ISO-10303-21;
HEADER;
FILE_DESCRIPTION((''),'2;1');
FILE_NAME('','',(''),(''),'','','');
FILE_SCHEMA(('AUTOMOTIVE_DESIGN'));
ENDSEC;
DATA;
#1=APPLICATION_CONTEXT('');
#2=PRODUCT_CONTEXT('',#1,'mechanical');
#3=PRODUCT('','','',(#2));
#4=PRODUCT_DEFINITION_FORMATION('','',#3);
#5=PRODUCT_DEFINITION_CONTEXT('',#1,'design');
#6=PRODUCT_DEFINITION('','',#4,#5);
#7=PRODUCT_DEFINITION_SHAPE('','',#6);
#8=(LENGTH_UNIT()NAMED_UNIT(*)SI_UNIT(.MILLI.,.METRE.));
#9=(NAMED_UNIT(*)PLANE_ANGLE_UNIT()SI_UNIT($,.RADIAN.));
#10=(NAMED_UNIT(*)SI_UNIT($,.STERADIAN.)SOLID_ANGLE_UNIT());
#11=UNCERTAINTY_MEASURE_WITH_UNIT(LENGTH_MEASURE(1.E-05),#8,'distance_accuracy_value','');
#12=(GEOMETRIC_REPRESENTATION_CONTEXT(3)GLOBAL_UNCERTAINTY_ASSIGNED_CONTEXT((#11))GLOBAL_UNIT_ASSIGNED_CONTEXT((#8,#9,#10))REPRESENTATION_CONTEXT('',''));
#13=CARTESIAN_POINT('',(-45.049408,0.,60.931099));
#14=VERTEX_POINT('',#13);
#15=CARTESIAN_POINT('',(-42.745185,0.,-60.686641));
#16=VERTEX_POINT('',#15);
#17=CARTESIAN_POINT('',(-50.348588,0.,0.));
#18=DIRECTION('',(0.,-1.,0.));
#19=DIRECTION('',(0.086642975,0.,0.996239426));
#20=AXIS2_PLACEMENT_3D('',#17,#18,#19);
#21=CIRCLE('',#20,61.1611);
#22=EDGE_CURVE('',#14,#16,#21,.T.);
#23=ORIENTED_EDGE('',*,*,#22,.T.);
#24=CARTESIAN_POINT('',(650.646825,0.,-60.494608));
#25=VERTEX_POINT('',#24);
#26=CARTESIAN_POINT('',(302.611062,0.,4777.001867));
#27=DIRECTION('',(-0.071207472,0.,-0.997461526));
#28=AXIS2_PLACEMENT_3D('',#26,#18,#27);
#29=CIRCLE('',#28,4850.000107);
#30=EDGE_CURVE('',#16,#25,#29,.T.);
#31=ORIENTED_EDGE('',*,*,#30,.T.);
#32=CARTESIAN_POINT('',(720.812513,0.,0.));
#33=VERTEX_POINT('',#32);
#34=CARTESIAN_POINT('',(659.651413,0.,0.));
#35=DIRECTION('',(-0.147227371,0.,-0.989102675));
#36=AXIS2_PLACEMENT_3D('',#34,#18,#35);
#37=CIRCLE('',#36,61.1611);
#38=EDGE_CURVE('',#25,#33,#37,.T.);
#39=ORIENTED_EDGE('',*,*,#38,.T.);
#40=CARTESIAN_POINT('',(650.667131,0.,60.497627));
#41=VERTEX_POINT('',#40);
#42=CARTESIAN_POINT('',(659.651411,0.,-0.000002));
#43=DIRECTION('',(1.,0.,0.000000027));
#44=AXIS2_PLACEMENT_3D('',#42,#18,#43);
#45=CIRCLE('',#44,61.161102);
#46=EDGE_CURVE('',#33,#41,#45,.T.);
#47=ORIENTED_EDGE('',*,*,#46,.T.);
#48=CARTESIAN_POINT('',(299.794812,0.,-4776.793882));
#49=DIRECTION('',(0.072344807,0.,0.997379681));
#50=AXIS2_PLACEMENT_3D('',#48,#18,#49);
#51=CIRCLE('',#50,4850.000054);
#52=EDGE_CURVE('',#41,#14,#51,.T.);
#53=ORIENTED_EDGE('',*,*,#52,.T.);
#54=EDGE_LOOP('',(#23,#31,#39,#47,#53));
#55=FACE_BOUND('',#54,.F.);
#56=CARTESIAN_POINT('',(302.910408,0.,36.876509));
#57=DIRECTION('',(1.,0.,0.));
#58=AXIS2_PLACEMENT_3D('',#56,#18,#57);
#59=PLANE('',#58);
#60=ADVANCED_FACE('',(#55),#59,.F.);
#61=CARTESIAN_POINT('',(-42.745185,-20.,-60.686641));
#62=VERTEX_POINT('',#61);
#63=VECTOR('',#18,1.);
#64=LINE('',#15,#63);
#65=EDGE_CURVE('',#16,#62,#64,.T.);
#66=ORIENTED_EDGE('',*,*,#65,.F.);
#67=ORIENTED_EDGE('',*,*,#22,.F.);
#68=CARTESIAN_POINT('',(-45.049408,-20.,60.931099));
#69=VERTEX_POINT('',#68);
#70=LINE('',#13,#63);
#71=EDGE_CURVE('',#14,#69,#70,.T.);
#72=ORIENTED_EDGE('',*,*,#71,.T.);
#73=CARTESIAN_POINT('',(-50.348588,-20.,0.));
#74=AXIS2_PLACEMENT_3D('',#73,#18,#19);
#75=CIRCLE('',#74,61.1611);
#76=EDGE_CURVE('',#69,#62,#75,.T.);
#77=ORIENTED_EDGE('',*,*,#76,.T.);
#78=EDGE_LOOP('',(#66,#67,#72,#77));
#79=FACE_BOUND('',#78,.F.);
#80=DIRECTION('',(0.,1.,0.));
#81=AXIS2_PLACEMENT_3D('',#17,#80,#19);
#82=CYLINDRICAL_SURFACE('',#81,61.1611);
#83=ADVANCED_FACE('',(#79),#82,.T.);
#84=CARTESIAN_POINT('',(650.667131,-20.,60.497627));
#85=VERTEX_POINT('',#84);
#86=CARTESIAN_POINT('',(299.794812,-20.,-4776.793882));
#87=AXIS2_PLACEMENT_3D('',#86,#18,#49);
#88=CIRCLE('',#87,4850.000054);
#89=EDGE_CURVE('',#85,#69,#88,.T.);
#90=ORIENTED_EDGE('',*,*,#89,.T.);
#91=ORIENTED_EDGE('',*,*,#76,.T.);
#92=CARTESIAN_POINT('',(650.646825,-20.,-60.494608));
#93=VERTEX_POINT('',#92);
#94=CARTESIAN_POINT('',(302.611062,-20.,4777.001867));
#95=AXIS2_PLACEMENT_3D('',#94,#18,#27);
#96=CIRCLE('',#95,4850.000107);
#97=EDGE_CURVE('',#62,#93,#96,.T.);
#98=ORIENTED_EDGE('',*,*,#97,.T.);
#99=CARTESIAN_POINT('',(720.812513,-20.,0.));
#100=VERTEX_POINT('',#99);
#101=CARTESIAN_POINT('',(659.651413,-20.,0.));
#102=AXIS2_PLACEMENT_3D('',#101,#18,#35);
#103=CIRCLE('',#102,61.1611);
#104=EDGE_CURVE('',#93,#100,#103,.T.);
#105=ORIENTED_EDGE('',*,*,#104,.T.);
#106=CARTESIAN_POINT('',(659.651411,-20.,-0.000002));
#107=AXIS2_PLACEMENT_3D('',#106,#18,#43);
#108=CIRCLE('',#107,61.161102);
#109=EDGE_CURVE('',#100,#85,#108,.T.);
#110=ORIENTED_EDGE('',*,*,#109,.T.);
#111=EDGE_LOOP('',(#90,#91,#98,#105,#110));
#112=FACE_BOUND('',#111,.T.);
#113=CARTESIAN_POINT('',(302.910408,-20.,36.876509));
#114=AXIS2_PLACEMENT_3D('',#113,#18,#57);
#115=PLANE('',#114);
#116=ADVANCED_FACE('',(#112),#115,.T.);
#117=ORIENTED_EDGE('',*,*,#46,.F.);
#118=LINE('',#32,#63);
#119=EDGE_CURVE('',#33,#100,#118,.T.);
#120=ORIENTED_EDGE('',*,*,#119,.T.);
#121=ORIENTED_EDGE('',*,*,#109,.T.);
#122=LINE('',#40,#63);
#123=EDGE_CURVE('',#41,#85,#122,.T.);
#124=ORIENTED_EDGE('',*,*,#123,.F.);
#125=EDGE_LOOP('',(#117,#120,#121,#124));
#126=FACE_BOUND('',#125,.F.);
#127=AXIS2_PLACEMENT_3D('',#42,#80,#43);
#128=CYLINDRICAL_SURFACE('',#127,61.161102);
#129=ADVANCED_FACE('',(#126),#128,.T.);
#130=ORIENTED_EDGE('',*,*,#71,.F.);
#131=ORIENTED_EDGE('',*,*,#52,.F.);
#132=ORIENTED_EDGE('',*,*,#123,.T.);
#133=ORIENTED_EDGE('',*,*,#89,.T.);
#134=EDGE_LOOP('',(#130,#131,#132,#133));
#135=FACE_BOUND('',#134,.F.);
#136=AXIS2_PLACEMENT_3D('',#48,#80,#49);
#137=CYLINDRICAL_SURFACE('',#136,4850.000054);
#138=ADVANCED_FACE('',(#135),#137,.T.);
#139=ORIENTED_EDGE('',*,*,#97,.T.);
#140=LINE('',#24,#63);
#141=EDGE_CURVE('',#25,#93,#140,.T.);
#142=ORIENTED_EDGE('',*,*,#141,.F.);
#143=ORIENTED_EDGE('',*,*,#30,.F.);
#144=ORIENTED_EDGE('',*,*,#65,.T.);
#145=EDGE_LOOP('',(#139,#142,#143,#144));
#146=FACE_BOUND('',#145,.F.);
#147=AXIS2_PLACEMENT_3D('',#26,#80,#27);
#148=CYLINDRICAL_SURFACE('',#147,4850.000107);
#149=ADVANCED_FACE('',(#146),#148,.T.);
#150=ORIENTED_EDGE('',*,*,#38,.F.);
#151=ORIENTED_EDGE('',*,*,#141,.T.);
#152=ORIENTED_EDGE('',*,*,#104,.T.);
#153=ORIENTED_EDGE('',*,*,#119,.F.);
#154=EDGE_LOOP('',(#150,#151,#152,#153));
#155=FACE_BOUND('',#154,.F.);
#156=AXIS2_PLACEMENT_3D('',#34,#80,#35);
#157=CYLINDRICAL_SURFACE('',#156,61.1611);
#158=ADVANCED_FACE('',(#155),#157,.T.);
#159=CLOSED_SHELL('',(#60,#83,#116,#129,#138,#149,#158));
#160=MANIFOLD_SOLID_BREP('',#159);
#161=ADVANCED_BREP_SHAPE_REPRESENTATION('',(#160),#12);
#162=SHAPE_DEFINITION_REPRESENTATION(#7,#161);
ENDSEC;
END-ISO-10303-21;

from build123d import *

# Parameters (mm, degrees)
F1_DEPTH = 20


with BuildPart() as f1:
    # F0 (on Front) → F1 (new body)
    with BuildSketch(Plane.XZ):
        with BuildLine():
            ThreePointArc((-45.049408, 60.931099), (-5.26653, 41.331444), (10.812513, 0))
            Line((10.812513, 0), (598.490313, 0))
            ThreePointArc((598.490313, 0), (613.336357, 39.944909), (650.667131, 60.497627))
            ThreePointArc((650.667131, 60.497627), (302.816644, 73.205231), (-45.049408, 60.931099))
        make_face()
        with BuildLine():
            ThreePointArc((-42.745185, -60.686641), (-4.491676, -40.470037), (10.812513, 0))
            ThreePointArc((10.812513, 0), (-5.26653, 41.331444), (-45.049408, 60.931099))
            ThreePointArc((-45.049408, 60.931099), (-111.498713, -1.158577), (-42.745185, -60.686641))
        make_face()
        with BuildLine():
            Line((598.490313, 0), (10.812513, 0))
            ThreePointArc((10.812513, 0), (-4.491676, -40.470037), (-42.745185, -60.686641))
            ThreePointArc((-42.745185, -60.686641), (303.954256, -72.998054), (650.646825, -60.494608))
            ThreePointArc((650.646825, -60.494608), (613.329654, -39.937136), (598.490313, 0))
        make_face()
        with BuildLine():
            ThreePointArc((650.667131, 60.497627), (613.336357, 39.944909), (598.490313, 0))
            ThreePointArc((598.490313, 0), (613.329654, -39.937136), (650.646825, -60.494608))
            ThreePointArc((650.646825, -60.494608), (699.588549, -46.321759), (720.812513, 0))
            ThreePointArc((720.812513, 0), (699.596322, 46.315055), (650.667131, 60.497627))
        make_face()
    extrude(amount=F1_DEPTH)


solid = f1.part
